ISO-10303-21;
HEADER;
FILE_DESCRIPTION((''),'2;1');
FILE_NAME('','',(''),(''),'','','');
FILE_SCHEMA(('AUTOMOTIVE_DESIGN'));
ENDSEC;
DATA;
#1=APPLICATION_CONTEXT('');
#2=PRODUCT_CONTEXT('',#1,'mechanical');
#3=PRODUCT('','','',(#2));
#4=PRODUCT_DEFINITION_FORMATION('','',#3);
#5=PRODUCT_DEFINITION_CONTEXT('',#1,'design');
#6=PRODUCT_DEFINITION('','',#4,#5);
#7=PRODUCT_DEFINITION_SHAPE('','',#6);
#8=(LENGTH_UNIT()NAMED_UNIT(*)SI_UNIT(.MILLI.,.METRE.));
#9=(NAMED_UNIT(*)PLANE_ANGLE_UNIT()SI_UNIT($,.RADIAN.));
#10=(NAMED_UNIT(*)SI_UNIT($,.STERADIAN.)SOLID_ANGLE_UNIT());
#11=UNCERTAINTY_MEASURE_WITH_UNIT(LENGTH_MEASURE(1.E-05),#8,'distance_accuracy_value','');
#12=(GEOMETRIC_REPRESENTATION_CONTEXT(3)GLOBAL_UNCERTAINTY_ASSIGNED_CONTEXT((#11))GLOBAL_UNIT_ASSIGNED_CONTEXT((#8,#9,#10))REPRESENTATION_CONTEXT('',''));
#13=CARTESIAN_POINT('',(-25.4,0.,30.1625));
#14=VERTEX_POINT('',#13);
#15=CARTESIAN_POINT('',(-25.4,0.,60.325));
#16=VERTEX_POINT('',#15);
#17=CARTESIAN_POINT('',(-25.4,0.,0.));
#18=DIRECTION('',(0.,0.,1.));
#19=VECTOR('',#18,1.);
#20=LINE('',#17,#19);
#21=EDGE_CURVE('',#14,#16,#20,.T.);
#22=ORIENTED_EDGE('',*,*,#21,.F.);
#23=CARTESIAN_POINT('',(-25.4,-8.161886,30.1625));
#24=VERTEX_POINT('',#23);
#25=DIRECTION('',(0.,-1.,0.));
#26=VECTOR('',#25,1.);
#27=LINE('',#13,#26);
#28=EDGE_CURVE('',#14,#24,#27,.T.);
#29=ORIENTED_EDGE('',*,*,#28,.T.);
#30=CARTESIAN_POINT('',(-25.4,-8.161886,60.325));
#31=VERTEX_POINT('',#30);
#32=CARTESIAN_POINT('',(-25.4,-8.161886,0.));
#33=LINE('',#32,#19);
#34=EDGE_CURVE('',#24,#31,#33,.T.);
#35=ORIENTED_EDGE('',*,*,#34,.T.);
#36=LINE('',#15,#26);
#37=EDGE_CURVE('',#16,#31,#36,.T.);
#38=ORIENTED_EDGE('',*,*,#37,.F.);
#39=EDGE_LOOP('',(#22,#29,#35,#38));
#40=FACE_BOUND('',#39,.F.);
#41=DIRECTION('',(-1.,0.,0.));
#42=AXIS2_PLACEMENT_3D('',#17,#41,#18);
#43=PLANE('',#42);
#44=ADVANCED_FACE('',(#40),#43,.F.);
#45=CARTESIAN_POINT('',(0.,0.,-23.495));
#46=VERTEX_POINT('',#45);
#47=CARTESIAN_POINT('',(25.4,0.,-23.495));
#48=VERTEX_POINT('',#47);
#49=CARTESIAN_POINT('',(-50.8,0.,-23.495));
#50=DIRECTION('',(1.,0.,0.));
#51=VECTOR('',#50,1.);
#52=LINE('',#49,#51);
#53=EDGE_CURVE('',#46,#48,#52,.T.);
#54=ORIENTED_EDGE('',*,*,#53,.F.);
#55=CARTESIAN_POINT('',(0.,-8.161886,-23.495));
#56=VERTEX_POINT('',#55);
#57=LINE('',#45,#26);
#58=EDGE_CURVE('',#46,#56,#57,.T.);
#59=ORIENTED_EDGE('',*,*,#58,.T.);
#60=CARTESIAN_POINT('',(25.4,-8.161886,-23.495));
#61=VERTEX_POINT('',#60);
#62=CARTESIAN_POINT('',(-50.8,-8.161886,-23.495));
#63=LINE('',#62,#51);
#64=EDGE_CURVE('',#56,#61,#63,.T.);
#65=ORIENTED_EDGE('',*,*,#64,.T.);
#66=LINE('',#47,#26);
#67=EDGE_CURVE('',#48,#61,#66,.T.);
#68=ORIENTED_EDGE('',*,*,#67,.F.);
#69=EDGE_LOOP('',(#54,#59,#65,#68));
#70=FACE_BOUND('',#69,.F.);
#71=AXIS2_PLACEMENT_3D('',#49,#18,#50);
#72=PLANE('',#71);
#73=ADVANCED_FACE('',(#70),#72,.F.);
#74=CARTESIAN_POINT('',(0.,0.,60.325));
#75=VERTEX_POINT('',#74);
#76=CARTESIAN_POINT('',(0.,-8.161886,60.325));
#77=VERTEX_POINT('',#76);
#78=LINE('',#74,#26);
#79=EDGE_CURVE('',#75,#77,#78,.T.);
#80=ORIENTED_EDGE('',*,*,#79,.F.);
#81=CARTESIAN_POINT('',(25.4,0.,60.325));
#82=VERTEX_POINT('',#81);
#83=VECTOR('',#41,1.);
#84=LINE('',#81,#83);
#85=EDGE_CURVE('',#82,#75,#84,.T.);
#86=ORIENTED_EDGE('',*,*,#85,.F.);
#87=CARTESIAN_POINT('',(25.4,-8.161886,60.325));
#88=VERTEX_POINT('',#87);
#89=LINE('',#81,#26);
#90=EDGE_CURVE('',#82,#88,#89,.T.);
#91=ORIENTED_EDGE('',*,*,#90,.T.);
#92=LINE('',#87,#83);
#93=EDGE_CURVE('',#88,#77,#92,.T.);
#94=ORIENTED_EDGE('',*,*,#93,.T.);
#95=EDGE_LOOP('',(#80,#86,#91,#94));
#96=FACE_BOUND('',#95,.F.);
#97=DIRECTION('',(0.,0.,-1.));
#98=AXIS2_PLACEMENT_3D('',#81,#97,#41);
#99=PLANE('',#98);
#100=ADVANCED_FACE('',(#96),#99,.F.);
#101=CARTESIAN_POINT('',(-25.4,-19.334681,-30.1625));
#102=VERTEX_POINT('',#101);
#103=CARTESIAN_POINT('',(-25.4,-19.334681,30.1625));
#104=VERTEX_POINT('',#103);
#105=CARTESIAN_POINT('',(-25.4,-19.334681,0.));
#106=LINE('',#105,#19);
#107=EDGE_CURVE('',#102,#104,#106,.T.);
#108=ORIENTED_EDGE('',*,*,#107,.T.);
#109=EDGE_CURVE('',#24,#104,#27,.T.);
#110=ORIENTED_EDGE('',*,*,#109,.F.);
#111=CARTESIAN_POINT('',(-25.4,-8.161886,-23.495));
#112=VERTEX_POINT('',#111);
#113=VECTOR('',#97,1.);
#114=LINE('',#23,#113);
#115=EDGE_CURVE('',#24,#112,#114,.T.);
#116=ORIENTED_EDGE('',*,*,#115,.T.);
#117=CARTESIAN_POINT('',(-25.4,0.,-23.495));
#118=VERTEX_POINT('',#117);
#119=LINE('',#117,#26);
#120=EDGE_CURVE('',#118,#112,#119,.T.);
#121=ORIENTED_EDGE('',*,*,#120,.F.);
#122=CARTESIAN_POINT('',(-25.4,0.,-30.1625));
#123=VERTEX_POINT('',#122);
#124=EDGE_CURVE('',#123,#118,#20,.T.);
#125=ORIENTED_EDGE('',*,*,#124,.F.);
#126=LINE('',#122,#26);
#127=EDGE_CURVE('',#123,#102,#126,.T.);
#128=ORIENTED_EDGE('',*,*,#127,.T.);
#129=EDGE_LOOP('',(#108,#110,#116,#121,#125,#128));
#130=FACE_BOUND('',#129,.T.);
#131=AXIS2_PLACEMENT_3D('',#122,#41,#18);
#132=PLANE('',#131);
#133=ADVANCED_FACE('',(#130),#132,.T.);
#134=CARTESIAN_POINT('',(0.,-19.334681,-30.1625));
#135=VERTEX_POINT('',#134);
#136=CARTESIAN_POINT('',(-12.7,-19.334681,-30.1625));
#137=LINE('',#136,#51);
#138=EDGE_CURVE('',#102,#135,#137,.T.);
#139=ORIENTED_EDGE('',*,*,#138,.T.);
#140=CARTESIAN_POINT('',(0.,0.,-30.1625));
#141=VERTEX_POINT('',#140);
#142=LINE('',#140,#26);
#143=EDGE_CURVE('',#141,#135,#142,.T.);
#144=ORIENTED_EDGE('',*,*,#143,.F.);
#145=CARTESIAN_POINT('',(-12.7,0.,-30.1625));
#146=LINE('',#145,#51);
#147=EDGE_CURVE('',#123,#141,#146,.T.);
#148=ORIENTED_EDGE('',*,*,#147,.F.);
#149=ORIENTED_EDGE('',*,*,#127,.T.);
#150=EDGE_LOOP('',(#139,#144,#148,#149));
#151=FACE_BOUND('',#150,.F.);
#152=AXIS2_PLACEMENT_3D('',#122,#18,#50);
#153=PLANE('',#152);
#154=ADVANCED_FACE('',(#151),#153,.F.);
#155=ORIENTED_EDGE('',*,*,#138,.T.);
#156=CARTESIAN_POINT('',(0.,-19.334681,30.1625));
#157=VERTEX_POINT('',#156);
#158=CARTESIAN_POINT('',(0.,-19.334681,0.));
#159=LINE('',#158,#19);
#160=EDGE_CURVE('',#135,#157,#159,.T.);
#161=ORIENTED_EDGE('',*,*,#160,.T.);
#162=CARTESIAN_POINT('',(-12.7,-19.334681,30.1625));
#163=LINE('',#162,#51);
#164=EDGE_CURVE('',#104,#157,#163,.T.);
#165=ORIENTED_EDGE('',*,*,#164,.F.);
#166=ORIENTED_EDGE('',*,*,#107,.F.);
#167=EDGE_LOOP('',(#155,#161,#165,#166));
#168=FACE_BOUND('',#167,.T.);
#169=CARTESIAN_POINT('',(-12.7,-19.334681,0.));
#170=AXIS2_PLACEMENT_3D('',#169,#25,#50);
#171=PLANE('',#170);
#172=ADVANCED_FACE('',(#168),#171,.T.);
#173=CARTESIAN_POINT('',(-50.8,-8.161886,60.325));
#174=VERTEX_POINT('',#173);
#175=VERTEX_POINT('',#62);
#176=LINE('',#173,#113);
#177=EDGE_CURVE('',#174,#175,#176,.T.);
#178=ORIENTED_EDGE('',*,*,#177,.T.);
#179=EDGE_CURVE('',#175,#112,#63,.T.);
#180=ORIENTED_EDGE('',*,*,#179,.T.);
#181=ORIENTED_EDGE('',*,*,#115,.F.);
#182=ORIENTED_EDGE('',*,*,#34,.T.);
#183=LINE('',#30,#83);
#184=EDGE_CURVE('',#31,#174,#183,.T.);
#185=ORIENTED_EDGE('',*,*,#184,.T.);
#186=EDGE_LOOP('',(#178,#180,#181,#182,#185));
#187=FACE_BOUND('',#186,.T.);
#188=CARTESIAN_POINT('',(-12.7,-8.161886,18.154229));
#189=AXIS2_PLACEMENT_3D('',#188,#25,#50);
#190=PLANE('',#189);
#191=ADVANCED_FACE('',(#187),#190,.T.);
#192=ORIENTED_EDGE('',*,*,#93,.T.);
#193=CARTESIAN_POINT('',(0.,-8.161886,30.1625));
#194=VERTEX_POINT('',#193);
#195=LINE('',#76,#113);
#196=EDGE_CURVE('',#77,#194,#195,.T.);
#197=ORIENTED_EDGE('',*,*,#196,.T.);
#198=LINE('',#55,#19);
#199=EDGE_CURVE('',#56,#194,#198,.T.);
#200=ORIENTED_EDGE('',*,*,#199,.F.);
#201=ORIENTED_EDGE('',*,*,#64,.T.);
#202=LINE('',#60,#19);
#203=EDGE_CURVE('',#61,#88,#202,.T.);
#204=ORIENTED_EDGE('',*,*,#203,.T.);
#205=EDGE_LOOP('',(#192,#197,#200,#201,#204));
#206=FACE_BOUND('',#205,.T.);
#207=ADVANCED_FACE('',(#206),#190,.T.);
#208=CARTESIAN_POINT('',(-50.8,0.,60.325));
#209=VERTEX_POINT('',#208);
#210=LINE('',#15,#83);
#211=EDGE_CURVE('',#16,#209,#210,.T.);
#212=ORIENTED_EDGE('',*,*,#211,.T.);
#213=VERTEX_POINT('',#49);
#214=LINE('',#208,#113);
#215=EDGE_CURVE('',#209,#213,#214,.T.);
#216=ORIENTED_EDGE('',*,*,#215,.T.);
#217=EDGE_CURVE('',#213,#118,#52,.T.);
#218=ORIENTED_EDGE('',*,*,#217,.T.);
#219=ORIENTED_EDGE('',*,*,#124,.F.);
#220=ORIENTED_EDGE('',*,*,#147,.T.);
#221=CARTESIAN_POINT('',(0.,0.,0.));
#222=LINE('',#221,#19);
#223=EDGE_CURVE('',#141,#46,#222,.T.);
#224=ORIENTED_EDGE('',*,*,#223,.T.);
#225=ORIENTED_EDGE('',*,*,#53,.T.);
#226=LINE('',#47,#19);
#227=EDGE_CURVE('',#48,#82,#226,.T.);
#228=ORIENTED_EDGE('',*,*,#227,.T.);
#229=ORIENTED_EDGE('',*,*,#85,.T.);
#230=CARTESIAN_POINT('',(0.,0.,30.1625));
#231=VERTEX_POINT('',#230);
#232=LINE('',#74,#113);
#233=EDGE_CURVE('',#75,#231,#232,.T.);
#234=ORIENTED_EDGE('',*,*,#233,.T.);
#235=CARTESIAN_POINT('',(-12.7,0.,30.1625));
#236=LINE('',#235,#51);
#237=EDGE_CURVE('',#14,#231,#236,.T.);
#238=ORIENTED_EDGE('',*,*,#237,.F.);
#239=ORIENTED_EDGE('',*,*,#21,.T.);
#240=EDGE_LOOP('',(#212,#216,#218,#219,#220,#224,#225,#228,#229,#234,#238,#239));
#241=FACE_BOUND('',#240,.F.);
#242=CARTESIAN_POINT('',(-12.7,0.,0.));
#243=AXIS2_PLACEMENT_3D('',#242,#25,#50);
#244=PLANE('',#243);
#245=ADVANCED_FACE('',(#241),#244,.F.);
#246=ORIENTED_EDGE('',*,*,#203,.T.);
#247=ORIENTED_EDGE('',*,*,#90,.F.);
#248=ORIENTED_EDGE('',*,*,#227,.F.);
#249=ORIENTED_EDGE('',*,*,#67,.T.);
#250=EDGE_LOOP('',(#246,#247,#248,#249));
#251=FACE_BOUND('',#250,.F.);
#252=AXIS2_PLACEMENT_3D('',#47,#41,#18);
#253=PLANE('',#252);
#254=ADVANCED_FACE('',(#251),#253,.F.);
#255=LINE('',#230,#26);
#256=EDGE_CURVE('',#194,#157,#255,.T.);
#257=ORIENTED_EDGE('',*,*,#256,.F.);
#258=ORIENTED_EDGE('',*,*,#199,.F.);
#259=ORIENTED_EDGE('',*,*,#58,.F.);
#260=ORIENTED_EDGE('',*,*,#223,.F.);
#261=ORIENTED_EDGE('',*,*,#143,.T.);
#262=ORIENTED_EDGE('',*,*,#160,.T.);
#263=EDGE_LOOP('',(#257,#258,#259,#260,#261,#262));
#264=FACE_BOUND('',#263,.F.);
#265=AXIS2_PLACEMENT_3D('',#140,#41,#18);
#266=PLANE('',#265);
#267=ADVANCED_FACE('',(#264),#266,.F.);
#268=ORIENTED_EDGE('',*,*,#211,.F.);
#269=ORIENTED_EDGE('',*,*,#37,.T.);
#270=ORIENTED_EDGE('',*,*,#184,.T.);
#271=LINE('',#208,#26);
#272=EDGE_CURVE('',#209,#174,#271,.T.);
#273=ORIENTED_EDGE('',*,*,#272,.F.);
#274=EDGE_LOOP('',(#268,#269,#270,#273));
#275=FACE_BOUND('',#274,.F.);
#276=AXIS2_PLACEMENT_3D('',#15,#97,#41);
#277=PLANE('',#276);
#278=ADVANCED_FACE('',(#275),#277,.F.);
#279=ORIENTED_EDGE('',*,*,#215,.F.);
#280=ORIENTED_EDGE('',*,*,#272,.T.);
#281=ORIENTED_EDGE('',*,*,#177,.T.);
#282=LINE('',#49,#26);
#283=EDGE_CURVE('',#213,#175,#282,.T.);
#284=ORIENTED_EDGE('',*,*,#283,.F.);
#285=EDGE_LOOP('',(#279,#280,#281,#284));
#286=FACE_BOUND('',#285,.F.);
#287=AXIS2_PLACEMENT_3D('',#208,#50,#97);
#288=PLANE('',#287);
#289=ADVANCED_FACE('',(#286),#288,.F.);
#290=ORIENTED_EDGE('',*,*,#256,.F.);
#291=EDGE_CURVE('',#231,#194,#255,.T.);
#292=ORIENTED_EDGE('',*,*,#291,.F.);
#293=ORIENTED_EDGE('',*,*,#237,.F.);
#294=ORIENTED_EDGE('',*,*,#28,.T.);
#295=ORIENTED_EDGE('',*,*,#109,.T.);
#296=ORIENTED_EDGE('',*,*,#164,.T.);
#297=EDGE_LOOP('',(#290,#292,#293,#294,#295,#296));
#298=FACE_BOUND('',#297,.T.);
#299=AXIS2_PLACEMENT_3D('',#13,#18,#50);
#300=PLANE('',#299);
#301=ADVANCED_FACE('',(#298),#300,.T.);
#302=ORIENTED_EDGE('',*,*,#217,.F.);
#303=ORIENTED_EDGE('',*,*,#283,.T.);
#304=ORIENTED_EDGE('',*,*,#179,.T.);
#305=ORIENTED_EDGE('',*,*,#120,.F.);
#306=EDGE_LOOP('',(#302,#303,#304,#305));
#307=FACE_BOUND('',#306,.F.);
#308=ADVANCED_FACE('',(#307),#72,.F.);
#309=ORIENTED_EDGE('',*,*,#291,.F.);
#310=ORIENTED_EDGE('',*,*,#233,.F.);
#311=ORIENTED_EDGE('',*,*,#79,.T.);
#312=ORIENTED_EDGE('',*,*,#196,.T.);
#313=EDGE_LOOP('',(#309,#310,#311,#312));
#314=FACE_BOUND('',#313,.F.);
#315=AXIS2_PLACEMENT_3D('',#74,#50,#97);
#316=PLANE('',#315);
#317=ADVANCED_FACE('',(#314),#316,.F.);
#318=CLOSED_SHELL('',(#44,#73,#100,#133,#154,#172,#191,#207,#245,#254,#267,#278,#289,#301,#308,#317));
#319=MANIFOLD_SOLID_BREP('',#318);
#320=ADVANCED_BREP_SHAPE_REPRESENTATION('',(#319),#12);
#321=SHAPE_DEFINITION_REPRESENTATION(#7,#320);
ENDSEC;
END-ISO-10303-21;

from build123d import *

# Parameters (mm, degrees)
F1_DEPTH = 8.161886
F2_W     = 25.4
F2_H     = 60.325
F3_DEPTH = 19.334681


with BuildPart() as f1:
    # F0 (on Front) → F1 (new body)
    with BuildSketch(Plane.XZ):
        Polygon((-25.4, 60.325), (-50.8, 60.325), (-50.8, -23.495), (25.4, -23.495), (25.4, 60.325), (0, 60.325), (0, 0), (-25.4, 0), align=None)
    extrude(amount=F1_DEPTH)

    # F2 (on Front) → F3 (join)
    with BuildSketch(Plane.XZ):
        with Locations((-12.7, 0)):
            Rectangle(F2_W, F2_H)
    extrude(amount=F3_DEPTH)


solid = f1.part
